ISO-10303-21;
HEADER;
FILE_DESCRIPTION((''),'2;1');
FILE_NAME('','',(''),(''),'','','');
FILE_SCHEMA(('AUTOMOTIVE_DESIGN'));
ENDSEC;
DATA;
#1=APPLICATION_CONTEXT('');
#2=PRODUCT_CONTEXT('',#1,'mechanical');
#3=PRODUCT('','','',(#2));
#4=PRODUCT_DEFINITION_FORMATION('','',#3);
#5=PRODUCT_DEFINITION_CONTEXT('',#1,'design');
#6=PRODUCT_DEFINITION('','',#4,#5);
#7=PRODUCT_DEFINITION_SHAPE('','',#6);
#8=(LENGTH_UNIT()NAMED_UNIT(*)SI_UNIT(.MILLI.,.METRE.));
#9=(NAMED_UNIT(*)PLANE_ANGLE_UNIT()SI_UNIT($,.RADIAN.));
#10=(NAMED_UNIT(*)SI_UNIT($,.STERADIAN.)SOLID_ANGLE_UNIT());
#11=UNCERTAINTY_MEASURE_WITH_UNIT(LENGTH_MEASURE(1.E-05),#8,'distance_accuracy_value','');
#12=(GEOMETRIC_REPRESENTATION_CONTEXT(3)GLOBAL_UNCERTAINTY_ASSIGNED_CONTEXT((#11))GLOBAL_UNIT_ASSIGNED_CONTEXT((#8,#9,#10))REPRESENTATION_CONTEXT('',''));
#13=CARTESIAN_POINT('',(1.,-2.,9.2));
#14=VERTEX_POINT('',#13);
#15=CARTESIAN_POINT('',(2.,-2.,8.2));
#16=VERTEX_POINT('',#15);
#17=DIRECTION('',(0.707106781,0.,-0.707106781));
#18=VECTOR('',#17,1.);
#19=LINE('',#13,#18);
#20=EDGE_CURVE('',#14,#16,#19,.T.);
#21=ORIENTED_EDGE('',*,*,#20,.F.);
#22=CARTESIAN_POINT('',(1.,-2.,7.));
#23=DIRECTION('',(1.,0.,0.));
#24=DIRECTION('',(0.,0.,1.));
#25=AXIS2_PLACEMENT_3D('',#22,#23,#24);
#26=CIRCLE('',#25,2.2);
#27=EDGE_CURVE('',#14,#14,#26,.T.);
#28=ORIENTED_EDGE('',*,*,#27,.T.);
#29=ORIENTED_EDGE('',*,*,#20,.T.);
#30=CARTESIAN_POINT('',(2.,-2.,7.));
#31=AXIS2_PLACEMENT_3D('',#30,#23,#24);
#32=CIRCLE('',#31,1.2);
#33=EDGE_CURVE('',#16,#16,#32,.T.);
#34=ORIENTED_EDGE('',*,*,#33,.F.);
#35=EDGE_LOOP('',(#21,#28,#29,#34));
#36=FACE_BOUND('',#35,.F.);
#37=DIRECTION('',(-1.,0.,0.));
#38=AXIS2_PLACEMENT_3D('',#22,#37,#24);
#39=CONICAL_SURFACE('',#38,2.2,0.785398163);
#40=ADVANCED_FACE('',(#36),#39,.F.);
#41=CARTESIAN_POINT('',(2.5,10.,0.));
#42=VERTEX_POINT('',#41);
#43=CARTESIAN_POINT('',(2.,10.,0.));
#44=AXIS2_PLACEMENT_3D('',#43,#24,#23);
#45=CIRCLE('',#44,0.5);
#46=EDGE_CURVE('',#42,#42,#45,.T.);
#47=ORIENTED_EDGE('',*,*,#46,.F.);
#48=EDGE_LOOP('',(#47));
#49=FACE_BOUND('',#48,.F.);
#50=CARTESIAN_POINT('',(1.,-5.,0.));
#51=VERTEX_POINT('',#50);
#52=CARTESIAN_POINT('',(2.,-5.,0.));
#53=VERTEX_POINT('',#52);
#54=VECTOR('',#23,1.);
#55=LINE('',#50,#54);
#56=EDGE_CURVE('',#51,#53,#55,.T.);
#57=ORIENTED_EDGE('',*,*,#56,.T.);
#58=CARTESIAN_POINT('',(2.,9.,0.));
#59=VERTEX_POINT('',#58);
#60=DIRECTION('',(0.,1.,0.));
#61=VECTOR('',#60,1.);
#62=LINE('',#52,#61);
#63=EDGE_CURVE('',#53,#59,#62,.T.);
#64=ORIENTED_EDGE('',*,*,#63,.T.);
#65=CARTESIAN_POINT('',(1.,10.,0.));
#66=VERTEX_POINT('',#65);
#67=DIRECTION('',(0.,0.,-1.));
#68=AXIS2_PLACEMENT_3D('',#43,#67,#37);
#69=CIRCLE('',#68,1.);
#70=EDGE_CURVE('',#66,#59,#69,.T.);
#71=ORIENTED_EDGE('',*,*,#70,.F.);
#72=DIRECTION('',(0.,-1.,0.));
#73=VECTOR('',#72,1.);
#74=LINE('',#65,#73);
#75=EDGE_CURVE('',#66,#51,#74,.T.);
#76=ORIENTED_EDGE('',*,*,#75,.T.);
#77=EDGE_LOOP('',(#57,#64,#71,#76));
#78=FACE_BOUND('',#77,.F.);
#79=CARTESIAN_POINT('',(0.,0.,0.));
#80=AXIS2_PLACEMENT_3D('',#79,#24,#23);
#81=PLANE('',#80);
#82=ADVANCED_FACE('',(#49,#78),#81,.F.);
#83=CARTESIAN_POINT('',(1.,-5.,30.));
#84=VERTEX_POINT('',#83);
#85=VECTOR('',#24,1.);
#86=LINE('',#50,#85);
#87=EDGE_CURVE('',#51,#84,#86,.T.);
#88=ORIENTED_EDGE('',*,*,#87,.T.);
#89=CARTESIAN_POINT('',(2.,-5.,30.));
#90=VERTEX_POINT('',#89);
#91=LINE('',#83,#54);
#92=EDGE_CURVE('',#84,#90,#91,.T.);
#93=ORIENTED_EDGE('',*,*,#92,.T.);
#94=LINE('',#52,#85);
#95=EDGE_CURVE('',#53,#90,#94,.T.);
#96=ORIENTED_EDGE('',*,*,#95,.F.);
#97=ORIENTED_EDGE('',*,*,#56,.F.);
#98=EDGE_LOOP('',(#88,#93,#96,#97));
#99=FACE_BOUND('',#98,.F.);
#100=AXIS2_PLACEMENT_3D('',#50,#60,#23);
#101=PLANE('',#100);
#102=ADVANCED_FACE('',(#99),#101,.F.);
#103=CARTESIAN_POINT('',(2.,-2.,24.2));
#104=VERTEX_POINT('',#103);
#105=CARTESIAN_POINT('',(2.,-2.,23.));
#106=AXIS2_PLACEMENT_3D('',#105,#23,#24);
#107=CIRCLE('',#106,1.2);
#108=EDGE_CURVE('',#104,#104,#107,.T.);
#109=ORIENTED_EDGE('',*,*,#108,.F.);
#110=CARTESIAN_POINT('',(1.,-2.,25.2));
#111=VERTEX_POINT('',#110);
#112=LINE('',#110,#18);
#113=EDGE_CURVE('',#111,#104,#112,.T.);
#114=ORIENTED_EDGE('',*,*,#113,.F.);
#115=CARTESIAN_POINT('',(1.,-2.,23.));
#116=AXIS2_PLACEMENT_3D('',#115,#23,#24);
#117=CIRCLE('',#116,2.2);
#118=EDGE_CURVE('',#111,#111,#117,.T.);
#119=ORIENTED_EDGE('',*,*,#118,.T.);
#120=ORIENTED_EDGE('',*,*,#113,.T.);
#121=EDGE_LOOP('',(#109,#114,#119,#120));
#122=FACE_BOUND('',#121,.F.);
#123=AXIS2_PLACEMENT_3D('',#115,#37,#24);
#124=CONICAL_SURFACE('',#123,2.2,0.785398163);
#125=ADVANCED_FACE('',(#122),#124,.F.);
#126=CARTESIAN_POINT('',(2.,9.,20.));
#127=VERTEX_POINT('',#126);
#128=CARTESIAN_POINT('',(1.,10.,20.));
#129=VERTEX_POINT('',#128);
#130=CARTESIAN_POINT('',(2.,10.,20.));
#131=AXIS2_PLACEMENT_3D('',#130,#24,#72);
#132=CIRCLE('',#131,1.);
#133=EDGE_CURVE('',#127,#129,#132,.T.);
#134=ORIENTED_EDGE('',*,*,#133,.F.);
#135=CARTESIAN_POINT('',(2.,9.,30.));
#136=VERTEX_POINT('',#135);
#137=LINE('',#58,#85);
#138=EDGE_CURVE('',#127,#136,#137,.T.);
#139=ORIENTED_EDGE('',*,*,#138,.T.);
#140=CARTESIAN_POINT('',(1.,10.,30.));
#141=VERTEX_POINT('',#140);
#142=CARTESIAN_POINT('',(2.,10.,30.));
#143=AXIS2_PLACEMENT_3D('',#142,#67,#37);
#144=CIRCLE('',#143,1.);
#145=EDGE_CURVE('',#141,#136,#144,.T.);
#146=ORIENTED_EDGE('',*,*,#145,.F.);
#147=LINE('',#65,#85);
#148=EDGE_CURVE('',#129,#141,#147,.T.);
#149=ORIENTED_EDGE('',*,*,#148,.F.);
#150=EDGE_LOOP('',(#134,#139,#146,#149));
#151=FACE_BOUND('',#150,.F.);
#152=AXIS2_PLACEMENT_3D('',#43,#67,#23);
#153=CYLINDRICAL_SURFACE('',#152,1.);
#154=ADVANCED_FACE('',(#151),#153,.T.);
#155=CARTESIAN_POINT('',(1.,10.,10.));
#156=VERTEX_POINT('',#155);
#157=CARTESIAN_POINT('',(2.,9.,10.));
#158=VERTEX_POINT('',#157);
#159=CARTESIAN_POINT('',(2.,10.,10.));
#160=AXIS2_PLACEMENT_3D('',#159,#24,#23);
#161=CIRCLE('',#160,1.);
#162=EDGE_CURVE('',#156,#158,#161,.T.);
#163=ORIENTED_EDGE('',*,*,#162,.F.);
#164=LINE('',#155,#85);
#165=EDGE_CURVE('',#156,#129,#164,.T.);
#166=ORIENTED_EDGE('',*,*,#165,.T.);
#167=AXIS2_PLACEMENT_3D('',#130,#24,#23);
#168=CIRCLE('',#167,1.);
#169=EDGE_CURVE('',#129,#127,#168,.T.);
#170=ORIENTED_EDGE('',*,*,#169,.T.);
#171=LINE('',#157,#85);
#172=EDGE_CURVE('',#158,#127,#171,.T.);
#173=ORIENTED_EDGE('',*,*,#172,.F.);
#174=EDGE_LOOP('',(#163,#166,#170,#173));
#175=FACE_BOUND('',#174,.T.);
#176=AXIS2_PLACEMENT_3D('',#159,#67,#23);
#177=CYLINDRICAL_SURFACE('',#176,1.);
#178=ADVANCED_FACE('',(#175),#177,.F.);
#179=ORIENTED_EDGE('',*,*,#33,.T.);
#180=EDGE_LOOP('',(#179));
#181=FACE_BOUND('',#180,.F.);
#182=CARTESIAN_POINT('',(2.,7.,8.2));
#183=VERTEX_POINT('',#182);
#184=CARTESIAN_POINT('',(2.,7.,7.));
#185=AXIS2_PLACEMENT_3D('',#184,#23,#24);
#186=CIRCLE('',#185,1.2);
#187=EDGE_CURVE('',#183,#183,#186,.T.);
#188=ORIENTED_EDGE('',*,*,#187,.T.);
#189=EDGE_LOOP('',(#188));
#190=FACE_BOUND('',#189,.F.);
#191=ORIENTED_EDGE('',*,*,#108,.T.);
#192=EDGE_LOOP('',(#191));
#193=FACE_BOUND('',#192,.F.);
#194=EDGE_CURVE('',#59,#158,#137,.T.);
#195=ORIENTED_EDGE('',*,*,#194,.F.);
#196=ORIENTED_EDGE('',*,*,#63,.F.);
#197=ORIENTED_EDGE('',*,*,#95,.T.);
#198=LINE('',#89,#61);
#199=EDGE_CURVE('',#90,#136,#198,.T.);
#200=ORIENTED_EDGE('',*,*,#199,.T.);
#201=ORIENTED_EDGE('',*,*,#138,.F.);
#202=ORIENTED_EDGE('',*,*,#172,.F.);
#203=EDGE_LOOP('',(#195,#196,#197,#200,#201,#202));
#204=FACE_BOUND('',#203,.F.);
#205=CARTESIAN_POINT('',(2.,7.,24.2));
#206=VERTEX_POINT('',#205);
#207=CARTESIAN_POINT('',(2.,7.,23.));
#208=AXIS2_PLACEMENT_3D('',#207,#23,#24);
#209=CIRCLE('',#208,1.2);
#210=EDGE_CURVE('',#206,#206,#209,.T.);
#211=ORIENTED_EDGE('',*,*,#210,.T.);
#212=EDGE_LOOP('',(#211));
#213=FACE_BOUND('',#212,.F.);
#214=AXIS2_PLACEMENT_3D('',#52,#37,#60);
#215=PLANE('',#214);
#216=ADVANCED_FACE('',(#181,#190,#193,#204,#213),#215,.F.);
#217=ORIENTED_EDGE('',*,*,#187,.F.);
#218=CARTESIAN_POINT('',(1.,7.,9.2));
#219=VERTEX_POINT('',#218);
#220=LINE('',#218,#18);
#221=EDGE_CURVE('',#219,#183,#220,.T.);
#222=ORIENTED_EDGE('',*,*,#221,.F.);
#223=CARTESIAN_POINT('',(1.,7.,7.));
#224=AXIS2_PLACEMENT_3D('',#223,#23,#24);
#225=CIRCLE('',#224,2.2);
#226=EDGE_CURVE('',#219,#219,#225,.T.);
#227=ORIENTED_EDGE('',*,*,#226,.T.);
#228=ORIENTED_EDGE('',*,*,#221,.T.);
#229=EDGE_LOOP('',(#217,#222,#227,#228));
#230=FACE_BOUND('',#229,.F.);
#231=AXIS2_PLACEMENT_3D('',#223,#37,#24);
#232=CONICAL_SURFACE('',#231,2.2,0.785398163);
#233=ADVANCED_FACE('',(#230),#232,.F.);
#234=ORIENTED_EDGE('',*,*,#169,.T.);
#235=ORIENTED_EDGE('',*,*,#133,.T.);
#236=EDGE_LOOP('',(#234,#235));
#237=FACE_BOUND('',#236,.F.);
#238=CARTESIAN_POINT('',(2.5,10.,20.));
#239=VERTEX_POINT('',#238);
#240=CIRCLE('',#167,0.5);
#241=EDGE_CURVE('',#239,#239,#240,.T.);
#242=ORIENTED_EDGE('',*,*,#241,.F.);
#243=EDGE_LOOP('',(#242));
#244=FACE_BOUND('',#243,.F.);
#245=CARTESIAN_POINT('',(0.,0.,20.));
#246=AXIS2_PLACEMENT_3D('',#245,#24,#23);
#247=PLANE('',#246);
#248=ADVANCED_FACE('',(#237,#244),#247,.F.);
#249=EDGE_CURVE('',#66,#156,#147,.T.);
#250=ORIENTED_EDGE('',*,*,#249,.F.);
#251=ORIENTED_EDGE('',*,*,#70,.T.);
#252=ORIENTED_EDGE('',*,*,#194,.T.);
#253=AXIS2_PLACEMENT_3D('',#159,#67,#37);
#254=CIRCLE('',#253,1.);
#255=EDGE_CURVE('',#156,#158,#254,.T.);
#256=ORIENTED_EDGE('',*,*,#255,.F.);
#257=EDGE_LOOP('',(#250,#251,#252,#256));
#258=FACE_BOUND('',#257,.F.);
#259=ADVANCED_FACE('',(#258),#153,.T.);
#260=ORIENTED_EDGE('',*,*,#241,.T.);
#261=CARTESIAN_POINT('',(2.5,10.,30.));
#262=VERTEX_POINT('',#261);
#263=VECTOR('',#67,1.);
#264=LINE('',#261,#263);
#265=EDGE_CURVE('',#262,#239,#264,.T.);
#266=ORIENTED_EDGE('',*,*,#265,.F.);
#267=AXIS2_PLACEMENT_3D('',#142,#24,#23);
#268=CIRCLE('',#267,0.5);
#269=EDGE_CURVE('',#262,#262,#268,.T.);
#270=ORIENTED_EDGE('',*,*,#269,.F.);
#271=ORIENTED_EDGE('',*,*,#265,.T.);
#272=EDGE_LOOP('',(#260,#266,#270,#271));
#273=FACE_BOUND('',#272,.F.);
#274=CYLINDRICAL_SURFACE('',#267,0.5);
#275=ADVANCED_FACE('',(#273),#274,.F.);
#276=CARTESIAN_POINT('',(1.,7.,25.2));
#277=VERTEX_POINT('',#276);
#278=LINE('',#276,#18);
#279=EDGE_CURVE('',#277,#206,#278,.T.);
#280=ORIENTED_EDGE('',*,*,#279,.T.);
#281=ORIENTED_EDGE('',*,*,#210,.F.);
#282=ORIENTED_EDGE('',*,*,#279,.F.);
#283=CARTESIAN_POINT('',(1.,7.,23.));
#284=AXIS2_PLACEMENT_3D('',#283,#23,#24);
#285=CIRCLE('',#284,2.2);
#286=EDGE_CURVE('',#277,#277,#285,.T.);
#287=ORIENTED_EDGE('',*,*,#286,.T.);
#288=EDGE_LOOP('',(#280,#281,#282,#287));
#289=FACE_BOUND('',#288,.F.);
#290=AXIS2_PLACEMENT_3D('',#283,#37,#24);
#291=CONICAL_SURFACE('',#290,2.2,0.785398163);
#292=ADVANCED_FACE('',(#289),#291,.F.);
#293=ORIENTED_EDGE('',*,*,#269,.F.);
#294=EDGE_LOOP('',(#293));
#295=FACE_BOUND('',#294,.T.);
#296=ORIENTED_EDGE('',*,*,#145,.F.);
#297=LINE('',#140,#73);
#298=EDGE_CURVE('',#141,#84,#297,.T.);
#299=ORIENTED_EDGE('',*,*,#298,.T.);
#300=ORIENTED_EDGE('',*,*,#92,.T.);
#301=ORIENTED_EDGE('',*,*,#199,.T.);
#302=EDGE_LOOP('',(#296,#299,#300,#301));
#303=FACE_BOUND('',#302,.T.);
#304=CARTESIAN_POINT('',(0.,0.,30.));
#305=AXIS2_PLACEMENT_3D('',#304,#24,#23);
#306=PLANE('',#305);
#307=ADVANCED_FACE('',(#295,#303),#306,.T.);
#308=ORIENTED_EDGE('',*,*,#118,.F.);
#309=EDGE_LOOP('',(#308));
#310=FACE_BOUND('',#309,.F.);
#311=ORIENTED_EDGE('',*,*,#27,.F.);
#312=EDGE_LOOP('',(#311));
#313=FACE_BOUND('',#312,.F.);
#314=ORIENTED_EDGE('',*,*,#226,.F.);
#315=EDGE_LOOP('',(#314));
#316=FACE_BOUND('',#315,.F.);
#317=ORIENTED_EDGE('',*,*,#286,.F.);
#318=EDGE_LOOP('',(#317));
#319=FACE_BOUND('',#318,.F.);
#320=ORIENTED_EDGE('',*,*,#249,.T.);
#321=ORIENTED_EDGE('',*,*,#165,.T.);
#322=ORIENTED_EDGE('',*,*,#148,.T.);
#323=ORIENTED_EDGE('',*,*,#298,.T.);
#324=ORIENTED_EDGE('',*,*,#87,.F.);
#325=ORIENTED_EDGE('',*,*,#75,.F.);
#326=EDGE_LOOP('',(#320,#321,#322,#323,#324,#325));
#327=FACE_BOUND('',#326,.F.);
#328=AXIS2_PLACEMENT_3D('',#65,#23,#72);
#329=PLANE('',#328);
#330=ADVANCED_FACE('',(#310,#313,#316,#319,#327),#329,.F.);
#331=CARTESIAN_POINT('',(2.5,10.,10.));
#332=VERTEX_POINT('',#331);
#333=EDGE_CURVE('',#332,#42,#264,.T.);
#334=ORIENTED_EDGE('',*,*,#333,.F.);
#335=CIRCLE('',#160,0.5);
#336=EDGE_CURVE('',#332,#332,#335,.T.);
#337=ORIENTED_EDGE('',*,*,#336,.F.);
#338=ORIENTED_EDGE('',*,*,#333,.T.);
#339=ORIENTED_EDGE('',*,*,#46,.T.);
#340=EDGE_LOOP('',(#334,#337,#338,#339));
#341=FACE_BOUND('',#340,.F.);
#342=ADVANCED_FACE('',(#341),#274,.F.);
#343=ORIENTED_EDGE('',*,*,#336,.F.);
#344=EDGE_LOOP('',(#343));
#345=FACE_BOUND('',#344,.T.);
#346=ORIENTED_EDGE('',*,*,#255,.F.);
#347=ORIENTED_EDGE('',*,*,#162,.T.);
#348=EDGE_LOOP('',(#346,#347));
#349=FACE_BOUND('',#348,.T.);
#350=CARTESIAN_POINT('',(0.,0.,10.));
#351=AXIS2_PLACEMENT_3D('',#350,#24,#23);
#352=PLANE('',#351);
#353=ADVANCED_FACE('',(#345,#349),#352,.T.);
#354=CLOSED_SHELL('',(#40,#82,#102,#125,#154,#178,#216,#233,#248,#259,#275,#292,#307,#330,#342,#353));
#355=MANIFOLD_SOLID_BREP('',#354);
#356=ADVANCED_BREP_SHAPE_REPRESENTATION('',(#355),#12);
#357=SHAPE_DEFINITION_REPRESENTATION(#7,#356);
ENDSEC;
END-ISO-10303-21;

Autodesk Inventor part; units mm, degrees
ref_plane "YZ Plane" through (0, 0, 0) normal (1, 0, 0) x (0, 1, 0)
ref_plane "XZ Plane" through (0, 0, 0) normal (0, 1, 0) x (-1, 0, 0)
ref_plane "XY Plane" through (0, 0, 0) normal (0, 0, 1) x (1, 0, 0)
sketch "Szkic1" plane through (0, 0, 0) normal (0, 0, 1) x (1, 0, 0)
  line L0 (2, 10) -> (1, 10)
  line L1 (1, 10) -> (1, -5)
  line L2 (1, -5) -> (2, -5)
  line L3 (2, -5) -> (2, 10)
  circle A0 centre (2, 10) radius 1
  point P0 (0, 0)
  point P1 (0, 0)
  point P2 (2, 9)
  point P3 (2, 9)
extrude "Wyciągnięcie proste1" add sketch "Szkic1" along normal blind 30
ref_plane "Płaszczyzna konstrukcyjna1" through (0, 0, 10) normal (0, 0, 1) x (1, 0, 0)
sketch "Szkic2" plane through (0, 0, 10) normal (0, 0, 1) x (1, 0, 0)
  arc A0 (2, 9) -> (1, 10) centre (2, 10) ccw projected
  circle A1 centre (2, 10) radius 1
  point P0 (0, 0)
extrude "Wyciągnięcie proste2" cut sketch "Szkic2" along normal blind 10
sketch "Szkic3" plane through (0, 0, 30) normal (0, 0, 1) x (1, 0, 0)
  circle A0 centre (2, 10) radius 0.5
  point P0 (0, 0)
  dimension "d5" = 1
extrude "Wyciągnięcie proste3" cut sketch "Szkic3" against normal blind 30
sketch "Szkic8" plane through (1, -5, 0) normal (-1, 0, 0) x (0, 0, 1)
  point P0 (7, 3)
hole "Otwór5" at (1, -2, 7) direction (1, 0, 0) diameter 2.4 end through all countersink diameter 4.4 countersink angle 90
sketch "Szkic9" plane through (1, -5, 0) normal (-1, 0, 0) x (0, 0, 1)
  point P0 (7, 12)
hole "Otwór6" at (1, 7, 7) direction (1, 0, 0) diameter 2.4 end through all countersink diameter 4.4 countersink angle 90
sketch "Szkic10" plane through (1, -5, 0) normal (-1, 0, 0) x (0, 0, 1)
  point P0 (23, 12)
hole "Otwór7" at (1, 7, 23) direction (1, 0, 0) diameter 2.4 end through all countersink diameter 4.4 countersink angle 90
sketch "Szkic11" plane through (1, -5, 0) normal (-1, 0, 0) x (0, 0, 1)
  point P0 (23, 3)
hole "Otwór8" at (1, -2, 23) direction (1, 0, 0) diameter 2.4 end through all countersink diameter 4.4 countersink angle 90
properties part number "hinge 2"
